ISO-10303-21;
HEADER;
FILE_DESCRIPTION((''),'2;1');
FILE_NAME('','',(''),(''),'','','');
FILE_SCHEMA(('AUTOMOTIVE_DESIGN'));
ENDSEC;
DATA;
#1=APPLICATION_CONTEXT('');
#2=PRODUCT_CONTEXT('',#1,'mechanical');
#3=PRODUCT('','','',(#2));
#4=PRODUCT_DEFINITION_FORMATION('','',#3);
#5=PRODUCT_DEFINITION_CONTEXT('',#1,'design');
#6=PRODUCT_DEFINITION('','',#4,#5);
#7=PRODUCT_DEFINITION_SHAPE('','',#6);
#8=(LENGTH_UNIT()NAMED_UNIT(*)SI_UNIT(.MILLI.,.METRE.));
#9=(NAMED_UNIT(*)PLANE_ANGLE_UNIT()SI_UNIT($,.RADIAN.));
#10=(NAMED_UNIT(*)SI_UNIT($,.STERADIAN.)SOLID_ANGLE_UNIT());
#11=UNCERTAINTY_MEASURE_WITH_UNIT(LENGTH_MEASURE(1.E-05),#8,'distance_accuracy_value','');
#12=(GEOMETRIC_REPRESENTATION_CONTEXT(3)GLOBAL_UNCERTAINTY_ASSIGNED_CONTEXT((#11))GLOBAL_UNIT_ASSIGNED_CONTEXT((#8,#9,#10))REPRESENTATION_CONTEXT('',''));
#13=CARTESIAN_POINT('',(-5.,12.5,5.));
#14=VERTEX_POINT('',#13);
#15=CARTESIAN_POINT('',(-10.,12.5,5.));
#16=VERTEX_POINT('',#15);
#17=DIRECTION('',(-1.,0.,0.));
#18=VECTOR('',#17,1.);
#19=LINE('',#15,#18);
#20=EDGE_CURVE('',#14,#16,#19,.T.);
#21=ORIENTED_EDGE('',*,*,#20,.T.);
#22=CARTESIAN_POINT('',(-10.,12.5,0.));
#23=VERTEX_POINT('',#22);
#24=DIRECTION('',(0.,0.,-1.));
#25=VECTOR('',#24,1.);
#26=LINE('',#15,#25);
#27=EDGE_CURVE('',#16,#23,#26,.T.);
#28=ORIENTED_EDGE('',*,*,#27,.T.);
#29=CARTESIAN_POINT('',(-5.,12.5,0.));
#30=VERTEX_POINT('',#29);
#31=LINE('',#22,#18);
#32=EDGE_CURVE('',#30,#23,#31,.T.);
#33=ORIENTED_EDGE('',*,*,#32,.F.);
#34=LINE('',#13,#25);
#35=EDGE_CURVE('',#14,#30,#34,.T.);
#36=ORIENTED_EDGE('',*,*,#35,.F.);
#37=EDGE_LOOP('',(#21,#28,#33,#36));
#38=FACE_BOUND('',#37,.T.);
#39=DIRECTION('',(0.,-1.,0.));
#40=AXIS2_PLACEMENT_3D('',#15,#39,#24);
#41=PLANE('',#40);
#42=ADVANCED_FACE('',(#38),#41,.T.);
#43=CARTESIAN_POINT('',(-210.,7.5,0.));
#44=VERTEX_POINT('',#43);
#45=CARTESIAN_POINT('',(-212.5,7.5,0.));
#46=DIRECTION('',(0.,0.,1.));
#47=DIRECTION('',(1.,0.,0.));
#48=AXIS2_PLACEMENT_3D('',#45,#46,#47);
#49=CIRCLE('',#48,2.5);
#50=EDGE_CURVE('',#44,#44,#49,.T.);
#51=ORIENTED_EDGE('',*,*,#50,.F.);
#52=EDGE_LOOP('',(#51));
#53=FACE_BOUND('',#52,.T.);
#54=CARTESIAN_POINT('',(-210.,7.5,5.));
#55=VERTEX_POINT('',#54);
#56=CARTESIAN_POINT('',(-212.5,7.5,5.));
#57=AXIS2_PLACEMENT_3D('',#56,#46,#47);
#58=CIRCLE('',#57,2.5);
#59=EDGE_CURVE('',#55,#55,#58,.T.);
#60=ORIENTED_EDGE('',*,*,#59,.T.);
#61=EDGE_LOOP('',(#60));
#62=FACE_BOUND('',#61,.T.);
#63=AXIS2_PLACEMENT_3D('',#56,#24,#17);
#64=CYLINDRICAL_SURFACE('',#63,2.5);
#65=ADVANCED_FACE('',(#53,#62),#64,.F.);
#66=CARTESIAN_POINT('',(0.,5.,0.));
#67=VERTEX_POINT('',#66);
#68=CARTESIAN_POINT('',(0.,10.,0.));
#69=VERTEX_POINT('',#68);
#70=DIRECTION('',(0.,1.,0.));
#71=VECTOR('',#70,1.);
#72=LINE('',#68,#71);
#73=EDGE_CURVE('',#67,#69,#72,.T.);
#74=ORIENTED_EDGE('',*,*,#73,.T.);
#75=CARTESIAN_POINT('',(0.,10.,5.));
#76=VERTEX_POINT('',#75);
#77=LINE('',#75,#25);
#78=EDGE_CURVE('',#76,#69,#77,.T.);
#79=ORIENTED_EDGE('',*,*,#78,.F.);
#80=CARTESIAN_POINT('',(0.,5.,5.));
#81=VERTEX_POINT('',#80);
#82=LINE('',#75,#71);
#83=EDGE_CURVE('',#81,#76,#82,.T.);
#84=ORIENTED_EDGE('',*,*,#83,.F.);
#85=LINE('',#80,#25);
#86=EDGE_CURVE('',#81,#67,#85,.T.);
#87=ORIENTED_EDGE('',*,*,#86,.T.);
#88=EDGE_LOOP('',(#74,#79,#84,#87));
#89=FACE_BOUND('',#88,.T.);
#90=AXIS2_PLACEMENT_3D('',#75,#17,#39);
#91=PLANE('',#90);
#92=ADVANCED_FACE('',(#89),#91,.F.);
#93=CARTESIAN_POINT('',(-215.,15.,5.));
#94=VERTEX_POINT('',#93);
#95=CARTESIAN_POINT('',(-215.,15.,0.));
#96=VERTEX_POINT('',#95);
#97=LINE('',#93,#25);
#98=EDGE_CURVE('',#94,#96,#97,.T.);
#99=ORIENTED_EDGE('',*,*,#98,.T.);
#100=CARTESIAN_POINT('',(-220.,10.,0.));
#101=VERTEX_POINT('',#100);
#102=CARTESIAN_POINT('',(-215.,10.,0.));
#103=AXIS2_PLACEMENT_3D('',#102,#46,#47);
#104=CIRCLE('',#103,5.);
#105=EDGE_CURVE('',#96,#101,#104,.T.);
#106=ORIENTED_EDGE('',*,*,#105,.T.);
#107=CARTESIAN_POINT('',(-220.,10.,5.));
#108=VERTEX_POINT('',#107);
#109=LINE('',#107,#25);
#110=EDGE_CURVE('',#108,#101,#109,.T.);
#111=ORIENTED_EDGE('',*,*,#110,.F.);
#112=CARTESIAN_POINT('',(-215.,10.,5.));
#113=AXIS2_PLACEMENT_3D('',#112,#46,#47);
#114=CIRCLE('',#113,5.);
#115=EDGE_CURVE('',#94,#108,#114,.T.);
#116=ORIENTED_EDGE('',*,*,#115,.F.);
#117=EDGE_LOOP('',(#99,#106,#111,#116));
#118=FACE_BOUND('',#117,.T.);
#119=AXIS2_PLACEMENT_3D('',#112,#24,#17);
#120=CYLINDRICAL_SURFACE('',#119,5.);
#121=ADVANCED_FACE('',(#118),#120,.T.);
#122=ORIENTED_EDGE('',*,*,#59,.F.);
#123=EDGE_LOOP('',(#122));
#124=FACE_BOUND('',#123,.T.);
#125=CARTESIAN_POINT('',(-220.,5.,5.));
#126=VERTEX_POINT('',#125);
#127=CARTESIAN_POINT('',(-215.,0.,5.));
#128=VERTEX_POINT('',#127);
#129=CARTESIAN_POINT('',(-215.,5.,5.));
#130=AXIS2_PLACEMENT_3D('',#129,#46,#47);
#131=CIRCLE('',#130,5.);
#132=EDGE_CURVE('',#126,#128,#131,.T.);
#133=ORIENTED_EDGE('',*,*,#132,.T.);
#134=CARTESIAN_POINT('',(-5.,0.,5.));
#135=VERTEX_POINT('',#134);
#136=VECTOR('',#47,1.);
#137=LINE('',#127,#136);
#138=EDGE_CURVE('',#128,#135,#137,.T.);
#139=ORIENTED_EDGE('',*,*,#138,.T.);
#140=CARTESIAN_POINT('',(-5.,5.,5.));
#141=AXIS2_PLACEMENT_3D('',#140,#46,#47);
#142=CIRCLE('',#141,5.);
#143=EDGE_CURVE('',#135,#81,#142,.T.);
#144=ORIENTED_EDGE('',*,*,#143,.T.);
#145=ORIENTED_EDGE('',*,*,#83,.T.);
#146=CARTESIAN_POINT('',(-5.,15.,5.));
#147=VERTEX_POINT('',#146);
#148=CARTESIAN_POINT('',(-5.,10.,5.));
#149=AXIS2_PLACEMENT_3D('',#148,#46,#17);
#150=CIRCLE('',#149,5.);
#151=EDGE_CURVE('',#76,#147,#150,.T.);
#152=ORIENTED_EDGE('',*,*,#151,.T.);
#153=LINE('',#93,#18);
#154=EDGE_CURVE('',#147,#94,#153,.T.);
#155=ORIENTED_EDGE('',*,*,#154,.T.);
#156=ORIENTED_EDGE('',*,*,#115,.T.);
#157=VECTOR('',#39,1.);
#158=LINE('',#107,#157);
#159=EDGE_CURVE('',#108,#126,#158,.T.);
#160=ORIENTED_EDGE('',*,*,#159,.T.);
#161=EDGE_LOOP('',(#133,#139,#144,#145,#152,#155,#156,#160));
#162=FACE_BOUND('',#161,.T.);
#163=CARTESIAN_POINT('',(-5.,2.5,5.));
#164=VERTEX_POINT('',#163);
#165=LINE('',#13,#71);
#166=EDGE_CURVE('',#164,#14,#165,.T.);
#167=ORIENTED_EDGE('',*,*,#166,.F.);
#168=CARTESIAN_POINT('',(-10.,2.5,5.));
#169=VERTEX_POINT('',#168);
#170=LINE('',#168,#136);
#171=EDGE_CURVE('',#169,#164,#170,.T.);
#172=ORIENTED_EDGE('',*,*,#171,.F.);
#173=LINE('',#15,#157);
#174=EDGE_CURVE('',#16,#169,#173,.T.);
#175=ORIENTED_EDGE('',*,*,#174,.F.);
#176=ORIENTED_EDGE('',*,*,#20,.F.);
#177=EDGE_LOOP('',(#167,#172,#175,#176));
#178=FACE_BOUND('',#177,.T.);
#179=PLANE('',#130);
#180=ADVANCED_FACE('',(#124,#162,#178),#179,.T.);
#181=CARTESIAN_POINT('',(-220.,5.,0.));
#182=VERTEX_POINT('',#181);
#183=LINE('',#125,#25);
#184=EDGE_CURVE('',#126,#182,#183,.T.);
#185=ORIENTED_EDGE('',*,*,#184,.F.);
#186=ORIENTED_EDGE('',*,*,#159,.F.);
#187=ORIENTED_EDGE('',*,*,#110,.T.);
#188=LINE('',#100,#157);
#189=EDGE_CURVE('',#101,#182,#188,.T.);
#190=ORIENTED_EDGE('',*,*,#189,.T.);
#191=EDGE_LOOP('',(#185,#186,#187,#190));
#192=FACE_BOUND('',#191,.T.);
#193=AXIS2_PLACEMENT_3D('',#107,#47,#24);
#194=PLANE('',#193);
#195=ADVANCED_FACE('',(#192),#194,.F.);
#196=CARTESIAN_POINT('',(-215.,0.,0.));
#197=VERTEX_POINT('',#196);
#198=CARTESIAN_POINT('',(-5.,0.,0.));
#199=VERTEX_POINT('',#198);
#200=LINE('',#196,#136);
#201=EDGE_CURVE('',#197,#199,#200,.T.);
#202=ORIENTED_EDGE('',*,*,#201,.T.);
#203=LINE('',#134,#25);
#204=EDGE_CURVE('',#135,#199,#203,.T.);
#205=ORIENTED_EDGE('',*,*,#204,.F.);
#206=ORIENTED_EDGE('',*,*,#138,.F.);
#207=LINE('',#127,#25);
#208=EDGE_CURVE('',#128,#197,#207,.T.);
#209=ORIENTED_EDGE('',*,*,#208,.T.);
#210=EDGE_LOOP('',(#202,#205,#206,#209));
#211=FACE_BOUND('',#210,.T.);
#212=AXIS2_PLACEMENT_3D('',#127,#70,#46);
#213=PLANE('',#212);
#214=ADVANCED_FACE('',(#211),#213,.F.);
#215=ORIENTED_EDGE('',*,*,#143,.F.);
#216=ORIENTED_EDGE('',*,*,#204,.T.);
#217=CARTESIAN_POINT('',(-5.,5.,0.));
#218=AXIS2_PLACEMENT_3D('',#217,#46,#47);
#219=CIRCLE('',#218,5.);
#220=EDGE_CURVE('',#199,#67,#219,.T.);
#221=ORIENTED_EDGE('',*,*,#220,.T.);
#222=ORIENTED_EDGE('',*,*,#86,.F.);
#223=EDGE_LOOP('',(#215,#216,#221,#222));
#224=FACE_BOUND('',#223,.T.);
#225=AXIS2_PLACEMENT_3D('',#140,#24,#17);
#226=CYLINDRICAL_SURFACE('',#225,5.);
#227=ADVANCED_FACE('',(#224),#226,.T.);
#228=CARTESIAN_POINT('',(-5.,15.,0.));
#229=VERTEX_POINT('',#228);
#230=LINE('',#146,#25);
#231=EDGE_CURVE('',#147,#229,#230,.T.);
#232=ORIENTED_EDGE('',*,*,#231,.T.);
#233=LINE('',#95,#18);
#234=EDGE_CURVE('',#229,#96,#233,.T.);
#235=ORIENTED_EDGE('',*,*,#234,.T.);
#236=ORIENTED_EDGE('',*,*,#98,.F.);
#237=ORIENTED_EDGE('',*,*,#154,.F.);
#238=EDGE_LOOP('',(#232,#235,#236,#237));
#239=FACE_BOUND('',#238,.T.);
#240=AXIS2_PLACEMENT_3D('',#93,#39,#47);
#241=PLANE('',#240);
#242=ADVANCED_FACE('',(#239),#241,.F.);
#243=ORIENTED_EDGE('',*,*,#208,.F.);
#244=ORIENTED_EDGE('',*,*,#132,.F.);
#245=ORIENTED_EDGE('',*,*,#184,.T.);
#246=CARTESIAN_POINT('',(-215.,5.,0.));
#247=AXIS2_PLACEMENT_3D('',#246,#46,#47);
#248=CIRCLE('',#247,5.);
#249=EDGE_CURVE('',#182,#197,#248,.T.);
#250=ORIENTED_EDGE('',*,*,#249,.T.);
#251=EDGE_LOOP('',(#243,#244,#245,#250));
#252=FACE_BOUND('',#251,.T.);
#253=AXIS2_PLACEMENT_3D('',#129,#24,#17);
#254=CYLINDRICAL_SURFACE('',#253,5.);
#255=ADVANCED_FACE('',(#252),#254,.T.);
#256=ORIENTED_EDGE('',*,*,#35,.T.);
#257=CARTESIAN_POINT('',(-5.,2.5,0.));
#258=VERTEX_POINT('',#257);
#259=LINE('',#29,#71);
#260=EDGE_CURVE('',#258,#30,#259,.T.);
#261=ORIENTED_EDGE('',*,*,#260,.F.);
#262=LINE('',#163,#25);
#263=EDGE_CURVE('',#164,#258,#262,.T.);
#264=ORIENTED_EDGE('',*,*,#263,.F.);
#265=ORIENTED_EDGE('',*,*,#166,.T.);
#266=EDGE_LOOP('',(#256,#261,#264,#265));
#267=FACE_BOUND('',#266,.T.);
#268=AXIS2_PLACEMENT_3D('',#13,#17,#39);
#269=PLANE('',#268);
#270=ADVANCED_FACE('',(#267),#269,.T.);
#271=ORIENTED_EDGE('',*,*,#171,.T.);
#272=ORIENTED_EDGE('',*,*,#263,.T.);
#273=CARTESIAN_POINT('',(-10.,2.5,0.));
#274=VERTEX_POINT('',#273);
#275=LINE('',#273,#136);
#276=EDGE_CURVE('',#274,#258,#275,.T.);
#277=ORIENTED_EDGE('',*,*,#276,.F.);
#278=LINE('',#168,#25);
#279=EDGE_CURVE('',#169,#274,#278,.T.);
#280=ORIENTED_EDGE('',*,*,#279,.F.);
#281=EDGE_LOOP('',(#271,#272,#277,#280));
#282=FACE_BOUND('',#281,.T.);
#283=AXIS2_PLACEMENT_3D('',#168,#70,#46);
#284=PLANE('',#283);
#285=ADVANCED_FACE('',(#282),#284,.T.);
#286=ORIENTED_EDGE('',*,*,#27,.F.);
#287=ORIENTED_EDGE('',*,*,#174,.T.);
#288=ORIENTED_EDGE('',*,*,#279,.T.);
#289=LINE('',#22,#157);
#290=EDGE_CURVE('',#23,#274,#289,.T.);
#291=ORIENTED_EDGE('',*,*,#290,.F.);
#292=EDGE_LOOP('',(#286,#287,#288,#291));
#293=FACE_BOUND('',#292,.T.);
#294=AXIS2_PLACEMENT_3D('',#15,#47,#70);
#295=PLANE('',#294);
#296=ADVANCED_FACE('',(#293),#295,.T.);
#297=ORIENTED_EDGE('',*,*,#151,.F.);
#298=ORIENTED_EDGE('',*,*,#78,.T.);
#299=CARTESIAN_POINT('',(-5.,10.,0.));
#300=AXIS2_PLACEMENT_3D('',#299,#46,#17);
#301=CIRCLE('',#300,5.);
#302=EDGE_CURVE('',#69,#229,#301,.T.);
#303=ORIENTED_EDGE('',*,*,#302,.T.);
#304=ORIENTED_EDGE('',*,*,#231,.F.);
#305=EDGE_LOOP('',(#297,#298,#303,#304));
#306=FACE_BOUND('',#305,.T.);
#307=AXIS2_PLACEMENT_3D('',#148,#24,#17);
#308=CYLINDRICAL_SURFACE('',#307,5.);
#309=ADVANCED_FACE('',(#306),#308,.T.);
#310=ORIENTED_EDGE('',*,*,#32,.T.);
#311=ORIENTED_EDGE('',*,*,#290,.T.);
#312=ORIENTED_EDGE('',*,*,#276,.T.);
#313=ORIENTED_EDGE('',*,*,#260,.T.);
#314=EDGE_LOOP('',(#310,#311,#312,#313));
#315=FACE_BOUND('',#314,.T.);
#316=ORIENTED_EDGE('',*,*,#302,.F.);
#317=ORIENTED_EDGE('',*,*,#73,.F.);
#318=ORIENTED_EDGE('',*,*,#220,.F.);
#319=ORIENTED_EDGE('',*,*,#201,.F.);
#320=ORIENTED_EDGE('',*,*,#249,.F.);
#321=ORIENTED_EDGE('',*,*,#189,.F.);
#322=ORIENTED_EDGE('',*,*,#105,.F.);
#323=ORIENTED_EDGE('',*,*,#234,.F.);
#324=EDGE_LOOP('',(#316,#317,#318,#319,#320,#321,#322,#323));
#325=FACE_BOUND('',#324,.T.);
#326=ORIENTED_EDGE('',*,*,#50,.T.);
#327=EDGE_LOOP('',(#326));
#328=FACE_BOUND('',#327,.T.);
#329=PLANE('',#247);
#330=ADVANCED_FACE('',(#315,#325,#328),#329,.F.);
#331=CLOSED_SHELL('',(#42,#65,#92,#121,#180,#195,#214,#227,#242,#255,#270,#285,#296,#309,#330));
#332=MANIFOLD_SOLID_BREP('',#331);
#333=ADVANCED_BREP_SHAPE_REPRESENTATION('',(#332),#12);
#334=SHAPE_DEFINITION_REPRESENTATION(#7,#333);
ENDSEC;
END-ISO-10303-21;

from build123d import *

# Parameters (mm, degrees)
SKETCH1_R           = 2.5
SKETCH1_W           = 5
SKETCH1_H           = 10
BOSS_EXTRUDE1_DEPTH = 5


with BuildPart() as part:
    # Sketch1 → Boss-Extrude1 (new body)
    with BuildSketch(Plane.XY):
        with BuildLine():
            Line((-215, 15), (-5, 15))
            ThreePointArc((-5, 15), (-1.464466094, 13.535533906), (0, 10))
            Line((0, 10), (0, 5))
            ThreePointArc((0, 5), (-1.464466094, 1.464466094), (-5, 0))
            Line((-5, 0), (-215, 0))
            ThreePointArc((-215, 0), (-218.535533906, 1.464466094), (-220, 5))
            Line((-220, 5), (-220, 10))
            ThreePointArc((-220, 10), (-218.535533906, 13.535533906), (-215, 15))
        make_face()
        with Locations((-212.5, 7.5)):
            Circle(SKETCH1_R, mode=Mode.SUBTRACT)
        with Locations((-7.5, 7.5)):
            Rectangle(SKETCH1_W, SKETCH1_H, mode=Mode.SUBTRACT)
    extrude(amount=BOSS_EXTRUDE1_DEPTH)


solid = part.part
